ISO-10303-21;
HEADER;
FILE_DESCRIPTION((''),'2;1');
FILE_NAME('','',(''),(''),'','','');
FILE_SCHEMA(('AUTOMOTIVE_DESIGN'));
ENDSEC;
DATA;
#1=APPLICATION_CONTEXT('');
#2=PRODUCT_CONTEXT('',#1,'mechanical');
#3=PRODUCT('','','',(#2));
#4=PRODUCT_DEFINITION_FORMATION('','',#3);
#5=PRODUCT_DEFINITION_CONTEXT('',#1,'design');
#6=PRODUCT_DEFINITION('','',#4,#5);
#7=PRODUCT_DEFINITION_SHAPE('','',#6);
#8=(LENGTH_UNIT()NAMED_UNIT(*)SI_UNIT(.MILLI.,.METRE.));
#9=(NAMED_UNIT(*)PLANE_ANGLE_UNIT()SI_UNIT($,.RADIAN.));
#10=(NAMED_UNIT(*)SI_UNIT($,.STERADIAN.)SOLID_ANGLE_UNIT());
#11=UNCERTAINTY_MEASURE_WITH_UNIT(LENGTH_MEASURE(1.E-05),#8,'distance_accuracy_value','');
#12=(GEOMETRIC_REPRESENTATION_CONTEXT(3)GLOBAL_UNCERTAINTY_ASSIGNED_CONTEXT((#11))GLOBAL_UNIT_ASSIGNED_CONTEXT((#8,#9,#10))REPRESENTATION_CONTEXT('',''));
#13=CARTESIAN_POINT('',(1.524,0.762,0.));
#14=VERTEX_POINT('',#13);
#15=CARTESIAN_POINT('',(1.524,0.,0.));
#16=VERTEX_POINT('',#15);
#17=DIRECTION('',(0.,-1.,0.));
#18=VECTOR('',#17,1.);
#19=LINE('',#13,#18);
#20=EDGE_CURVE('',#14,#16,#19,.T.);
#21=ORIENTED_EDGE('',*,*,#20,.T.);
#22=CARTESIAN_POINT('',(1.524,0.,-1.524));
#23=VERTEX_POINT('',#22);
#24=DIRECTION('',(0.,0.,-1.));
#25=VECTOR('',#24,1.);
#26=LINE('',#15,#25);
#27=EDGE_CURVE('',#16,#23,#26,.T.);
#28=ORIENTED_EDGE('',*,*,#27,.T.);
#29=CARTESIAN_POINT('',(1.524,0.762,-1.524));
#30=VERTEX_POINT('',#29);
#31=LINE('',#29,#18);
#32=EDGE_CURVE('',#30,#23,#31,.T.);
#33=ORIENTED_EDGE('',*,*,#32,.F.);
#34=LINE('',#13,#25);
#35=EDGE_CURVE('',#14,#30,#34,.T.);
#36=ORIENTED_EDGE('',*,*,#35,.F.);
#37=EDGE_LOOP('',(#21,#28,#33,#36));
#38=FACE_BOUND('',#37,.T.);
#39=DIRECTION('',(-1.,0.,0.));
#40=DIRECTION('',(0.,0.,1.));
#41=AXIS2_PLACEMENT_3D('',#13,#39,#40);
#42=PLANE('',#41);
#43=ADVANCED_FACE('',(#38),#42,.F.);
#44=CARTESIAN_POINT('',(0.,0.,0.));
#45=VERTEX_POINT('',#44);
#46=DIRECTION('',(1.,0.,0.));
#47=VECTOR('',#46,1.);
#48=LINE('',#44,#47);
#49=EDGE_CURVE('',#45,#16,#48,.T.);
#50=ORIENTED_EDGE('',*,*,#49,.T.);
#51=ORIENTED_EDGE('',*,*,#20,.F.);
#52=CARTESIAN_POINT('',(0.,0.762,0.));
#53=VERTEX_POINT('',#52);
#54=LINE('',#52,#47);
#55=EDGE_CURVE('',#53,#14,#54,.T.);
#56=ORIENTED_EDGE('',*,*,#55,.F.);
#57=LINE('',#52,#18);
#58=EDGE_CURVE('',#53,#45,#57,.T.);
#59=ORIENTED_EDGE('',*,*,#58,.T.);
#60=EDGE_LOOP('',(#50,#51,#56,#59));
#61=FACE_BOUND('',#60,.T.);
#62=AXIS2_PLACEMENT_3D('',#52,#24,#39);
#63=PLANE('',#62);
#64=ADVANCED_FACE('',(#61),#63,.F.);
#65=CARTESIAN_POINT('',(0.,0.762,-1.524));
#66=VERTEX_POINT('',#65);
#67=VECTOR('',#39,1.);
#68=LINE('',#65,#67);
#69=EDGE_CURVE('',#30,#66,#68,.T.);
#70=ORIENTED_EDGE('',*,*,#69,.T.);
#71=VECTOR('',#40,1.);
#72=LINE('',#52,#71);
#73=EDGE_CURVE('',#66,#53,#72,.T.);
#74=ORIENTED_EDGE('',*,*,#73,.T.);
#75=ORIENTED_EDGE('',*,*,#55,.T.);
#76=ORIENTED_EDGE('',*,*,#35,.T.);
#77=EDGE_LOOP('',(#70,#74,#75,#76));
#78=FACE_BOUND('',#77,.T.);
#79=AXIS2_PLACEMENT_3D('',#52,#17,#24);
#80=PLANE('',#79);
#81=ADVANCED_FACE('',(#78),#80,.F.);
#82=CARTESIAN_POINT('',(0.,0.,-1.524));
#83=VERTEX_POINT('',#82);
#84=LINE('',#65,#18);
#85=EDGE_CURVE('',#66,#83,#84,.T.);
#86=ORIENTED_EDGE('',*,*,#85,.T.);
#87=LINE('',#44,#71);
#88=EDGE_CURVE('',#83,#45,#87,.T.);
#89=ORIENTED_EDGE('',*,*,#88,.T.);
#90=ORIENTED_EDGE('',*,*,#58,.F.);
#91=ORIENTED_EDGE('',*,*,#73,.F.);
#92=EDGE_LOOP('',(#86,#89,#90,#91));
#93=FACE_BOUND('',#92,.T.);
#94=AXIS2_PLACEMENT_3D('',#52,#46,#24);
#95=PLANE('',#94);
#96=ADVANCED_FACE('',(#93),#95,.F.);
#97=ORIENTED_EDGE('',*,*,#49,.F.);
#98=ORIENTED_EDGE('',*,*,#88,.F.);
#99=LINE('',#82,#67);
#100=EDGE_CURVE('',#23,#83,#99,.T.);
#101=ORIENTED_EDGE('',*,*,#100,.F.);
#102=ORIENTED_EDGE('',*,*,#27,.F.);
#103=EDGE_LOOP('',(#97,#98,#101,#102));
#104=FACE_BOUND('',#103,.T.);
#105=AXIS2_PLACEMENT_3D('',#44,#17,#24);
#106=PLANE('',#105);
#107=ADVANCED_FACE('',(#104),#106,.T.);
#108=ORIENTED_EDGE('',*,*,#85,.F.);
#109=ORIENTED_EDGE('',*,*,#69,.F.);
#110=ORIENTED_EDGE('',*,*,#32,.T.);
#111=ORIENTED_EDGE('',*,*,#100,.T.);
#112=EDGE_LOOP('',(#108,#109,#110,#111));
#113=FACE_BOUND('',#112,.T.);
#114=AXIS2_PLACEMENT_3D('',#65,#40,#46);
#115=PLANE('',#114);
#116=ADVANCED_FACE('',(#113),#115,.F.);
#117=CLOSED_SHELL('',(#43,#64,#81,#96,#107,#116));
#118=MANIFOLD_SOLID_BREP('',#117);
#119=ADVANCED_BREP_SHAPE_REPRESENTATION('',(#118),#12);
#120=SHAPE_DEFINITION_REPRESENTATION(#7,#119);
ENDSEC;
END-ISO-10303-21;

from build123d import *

# Parameters (mm, degrees)
SKETCH1_W           = 1.524
SKETCH1_H           = 1.524
BOSS_EXTRUDE1_DEPTH = 0.762


with BuildPart() as part:
    # Sketch1 → Boss-Extrude1 (new body)
    with BuildSketch(Plane(origin=(0, 0, 0), x_dir=(1, 0, 0), z_dir=(0, 1, 0))):
        with Locations((0.762, 0.762)):
            Rectangle(SKETCH1_W, SKETCH1_H)
    extrude(amount=BOSS_EXTRUDE1_DEPTH)


solid = part.part
